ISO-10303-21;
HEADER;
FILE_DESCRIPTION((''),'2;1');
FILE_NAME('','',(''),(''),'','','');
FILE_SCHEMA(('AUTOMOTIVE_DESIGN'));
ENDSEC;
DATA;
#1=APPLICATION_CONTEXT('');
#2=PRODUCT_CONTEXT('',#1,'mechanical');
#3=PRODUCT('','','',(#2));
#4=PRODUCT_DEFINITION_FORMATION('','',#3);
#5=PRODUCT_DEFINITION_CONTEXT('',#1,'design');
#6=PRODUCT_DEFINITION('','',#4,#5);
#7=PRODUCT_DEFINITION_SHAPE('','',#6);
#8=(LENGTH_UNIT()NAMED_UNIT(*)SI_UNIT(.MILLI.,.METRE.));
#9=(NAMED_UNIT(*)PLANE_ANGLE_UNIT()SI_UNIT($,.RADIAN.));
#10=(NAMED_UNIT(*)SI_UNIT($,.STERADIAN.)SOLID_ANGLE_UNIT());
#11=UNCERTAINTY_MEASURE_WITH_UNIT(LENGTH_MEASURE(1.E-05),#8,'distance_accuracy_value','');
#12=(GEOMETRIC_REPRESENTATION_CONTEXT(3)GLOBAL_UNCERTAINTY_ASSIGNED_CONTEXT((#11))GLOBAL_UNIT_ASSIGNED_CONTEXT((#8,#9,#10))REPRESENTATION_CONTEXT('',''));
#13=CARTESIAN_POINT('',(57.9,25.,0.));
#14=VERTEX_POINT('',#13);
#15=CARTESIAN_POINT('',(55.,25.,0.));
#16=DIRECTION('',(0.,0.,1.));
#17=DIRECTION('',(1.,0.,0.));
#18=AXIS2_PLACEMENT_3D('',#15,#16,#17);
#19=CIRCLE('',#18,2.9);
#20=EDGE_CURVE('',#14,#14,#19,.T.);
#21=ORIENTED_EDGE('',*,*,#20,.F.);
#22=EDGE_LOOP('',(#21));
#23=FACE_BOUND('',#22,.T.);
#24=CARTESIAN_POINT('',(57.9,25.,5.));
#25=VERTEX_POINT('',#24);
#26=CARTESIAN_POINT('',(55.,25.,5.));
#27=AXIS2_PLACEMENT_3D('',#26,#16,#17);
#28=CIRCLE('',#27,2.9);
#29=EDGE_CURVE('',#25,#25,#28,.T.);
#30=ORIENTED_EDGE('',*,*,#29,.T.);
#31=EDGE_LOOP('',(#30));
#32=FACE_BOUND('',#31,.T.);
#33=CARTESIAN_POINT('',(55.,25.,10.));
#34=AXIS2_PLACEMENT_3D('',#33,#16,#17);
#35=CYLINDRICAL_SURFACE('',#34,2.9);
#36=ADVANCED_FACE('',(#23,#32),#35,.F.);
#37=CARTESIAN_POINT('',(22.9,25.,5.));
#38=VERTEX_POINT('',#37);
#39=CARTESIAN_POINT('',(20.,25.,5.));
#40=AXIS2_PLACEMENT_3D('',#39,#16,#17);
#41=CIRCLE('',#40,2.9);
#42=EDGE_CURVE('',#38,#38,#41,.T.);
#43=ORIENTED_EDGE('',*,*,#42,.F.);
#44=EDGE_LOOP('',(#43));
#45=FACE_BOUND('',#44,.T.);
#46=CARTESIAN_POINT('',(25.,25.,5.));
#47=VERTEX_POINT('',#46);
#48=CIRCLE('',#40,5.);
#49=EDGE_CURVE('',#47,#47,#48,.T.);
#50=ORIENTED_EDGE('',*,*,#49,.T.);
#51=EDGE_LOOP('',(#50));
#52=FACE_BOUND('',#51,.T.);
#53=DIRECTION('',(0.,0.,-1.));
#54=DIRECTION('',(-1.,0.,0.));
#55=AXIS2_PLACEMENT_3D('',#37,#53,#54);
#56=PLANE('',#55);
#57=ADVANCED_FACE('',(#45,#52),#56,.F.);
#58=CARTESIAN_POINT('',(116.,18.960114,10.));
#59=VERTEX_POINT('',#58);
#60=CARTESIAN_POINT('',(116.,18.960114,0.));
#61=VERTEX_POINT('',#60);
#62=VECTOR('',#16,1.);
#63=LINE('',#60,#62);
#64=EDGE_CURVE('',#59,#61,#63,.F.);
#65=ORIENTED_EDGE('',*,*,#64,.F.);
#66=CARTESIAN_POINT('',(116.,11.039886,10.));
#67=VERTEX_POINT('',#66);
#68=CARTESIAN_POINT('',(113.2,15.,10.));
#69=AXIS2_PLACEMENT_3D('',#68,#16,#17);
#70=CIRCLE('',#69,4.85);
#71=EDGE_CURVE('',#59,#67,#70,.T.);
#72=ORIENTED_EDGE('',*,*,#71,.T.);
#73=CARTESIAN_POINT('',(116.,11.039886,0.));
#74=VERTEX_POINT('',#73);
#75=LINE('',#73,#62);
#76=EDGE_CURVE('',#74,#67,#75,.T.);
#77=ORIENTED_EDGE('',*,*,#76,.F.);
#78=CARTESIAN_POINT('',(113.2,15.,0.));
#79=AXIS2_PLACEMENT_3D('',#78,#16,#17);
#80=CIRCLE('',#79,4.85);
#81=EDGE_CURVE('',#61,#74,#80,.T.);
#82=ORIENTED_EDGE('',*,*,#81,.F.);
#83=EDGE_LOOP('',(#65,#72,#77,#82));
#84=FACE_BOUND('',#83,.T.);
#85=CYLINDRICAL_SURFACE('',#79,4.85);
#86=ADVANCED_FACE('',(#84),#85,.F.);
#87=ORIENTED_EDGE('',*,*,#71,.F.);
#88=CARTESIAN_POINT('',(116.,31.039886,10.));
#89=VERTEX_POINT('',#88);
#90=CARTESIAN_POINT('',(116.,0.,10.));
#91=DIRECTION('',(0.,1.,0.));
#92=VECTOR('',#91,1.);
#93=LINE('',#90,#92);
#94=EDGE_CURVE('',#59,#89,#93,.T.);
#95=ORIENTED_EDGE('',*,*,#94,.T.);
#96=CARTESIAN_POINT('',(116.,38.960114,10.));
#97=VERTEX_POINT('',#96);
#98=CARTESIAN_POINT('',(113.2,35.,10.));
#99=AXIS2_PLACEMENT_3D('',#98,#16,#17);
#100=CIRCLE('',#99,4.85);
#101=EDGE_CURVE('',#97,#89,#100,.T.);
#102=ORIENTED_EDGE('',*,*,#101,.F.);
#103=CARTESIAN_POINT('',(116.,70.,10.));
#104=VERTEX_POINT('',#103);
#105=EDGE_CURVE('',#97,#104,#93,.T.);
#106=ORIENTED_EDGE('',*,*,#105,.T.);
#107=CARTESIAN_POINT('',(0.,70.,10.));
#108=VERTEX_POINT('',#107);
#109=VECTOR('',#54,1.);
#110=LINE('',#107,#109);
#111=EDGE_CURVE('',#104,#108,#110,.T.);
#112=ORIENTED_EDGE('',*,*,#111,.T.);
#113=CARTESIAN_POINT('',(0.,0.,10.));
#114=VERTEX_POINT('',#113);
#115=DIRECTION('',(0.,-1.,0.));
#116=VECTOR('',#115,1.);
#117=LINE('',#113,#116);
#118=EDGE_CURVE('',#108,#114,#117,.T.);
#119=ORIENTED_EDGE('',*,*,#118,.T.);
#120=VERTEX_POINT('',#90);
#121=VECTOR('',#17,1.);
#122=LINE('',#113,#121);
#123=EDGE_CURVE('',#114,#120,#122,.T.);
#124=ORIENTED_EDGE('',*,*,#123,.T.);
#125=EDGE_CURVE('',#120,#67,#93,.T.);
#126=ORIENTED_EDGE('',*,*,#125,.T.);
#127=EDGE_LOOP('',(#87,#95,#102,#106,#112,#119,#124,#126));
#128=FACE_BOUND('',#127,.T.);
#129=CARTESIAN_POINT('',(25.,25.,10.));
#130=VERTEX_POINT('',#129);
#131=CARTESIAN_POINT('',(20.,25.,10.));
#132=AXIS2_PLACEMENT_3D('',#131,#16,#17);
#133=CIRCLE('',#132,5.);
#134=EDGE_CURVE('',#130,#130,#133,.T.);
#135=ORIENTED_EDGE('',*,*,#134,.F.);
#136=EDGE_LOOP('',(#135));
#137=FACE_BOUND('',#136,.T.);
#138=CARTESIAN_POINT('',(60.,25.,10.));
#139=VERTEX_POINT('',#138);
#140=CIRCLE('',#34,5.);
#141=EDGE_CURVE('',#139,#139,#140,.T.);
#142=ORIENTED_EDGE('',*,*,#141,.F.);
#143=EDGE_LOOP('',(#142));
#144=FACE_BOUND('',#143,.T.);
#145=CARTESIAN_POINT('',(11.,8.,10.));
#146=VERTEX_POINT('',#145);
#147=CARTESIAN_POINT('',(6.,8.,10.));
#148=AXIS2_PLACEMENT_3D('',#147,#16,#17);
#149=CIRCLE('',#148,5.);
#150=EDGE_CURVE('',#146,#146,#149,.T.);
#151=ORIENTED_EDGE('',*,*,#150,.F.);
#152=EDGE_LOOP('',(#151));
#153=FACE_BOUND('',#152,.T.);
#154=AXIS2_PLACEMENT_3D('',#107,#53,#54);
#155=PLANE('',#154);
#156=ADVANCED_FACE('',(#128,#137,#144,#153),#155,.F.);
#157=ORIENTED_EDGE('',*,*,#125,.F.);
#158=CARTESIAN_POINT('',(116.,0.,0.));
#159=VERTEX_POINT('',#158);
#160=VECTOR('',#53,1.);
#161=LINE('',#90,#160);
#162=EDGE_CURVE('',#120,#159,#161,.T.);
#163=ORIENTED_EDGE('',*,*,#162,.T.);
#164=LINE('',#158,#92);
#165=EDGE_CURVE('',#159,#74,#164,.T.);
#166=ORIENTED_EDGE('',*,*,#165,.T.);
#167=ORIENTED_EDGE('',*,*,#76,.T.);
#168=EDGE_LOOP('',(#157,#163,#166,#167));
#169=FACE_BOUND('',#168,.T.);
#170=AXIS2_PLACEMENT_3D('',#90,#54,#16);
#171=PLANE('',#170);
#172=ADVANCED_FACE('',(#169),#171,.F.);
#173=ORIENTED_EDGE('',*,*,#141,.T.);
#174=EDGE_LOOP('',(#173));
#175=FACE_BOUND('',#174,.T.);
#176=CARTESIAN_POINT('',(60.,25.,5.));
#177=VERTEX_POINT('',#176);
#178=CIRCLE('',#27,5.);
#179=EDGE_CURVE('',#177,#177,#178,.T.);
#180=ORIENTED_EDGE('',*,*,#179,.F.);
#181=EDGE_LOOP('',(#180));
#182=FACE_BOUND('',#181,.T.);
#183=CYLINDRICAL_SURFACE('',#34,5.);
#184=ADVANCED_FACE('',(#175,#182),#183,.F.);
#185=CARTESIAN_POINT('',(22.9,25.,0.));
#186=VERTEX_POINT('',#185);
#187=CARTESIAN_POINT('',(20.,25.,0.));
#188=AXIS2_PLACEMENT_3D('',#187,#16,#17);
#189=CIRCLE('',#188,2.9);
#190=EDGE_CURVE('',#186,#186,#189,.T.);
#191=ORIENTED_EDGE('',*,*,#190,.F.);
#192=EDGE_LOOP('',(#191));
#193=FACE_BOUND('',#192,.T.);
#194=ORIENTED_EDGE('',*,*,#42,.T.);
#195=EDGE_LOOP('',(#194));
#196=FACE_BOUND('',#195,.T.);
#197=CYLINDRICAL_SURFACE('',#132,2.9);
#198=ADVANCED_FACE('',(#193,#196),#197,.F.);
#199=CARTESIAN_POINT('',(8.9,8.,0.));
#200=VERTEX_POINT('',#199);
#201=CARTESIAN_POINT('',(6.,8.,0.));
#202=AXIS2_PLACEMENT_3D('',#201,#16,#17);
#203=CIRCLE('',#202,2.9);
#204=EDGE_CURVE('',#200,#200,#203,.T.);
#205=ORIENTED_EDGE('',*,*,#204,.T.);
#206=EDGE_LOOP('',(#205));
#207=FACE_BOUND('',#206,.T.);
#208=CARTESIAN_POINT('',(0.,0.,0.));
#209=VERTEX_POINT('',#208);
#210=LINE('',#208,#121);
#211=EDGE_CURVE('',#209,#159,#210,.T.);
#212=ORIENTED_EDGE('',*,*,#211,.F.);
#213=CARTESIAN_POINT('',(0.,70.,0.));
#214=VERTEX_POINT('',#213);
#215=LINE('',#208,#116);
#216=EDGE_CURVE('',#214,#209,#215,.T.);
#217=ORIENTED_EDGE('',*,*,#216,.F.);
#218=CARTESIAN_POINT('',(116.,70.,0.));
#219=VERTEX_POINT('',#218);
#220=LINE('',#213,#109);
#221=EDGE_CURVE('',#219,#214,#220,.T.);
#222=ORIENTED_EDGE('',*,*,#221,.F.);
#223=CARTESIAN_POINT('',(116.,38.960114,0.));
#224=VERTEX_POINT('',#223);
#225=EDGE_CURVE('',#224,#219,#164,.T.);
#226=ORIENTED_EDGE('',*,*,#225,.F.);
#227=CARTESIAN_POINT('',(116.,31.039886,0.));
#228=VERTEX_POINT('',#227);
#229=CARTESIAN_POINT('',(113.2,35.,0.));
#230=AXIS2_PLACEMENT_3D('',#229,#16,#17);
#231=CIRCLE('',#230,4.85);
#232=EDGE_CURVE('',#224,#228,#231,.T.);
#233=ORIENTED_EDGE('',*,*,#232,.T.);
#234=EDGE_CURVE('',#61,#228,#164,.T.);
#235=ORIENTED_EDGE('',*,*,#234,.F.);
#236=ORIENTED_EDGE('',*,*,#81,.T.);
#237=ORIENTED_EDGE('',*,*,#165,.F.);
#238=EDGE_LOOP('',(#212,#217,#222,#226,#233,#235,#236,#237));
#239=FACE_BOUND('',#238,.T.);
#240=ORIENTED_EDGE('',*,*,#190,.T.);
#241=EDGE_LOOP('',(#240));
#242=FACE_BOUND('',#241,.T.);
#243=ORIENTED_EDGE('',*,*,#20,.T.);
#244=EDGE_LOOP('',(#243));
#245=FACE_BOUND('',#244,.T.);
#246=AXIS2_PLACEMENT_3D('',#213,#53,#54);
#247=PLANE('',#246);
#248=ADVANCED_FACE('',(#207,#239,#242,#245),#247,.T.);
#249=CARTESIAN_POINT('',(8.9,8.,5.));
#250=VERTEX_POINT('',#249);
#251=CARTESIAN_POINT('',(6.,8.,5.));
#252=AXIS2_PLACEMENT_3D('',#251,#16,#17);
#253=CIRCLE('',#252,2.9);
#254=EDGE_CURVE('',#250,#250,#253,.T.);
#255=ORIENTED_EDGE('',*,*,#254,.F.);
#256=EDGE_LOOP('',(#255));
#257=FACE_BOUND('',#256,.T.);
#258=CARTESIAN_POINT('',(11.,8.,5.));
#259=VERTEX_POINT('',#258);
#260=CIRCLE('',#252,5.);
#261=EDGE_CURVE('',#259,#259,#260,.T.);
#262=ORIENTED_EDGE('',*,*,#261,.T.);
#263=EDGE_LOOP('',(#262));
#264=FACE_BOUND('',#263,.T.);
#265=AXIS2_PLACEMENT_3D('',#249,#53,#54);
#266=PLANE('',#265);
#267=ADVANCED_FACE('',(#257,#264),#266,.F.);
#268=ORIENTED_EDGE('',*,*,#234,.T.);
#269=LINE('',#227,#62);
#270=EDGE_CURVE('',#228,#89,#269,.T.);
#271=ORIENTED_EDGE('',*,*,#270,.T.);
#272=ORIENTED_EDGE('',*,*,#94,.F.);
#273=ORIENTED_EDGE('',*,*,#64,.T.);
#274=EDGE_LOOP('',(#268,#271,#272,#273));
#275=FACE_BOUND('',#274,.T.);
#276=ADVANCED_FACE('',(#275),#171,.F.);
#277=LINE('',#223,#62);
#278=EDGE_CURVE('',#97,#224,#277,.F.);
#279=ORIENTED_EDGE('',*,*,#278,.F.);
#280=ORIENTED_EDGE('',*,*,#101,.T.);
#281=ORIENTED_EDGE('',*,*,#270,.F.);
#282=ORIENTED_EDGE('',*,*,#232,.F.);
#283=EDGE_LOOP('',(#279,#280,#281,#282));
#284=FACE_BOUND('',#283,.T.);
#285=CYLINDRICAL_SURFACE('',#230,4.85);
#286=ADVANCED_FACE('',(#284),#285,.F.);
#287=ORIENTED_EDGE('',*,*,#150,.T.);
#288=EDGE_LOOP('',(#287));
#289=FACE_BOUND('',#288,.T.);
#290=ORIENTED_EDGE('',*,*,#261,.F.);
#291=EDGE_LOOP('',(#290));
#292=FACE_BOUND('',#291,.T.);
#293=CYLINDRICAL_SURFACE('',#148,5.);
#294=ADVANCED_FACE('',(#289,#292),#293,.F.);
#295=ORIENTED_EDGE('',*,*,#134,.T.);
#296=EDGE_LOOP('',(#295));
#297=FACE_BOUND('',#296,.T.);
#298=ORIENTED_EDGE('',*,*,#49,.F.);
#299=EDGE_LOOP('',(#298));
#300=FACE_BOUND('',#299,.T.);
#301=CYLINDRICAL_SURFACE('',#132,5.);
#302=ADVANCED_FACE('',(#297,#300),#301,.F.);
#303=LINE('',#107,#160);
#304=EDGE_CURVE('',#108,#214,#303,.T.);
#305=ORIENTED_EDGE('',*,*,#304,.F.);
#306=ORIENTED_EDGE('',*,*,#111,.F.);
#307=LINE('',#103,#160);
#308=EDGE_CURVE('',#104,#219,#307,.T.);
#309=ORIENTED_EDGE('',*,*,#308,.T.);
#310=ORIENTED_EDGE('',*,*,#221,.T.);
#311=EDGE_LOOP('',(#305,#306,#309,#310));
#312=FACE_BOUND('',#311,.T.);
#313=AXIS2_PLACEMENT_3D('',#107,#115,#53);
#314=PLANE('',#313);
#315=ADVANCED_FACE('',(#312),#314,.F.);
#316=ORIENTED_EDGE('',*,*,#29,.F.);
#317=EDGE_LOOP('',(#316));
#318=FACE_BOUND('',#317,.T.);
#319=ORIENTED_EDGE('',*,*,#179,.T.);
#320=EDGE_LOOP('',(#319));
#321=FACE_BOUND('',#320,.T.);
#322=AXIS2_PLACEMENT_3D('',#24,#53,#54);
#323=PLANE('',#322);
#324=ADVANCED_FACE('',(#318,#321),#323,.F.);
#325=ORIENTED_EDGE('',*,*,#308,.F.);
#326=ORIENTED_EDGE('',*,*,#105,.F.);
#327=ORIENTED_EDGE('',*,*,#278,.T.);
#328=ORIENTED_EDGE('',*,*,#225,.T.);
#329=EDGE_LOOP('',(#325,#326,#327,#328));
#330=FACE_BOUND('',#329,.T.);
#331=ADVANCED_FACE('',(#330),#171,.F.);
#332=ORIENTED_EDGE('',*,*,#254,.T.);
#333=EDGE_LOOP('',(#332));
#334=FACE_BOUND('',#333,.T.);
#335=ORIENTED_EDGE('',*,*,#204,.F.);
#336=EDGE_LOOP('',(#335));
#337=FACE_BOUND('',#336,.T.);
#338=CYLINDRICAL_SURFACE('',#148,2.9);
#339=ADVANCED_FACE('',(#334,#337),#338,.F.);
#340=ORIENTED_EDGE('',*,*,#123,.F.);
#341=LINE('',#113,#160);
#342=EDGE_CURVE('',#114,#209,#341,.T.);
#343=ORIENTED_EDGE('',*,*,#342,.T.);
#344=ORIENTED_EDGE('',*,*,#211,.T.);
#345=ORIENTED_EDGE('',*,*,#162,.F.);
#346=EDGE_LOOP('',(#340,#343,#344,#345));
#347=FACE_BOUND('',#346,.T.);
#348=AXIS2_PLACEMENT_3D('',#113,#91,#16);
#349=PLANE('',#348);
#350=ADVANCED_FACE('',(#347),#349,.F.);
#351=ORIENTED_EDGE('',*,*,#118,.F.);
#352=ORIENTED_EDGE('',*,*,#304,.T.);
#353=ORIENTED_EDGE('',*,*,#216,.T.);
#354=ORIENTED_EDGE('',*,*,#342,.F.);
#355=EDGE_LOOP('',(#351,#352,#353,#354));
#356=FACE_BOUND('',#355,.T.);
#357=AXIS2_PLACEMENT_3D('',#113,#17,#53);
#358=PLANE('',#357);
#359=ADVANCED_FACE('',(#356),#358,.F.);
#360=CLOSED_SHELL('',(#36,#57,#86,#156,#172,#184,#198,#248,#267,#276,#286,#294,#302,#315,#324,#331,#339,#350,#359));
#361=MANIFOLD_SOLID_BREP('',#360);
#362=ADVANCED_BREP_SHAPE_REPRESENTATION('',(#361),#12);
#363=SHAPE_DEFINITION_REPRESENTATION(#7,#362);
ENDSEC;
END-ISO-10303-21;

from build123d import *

# Parameters (mm, degrees)
SKETCH_1_W                   = 116
SKETCH_1_H                   = 70
EXTRUDE_1_DEPTH              = 10
SKETCH_2_R                   = 4.85
CUT_EXTRUDE_1_DEPTH          = 136.852861582
HOLE_WIZARD_M5_1_D           = 5.8
HOLE_WIZARD_M5_1_CBORE_D     = 10
HOLE_WIZARD_M5_1_CBORE_DEPTH = 5


with BuildPart() as part:
    # 草图1 → 凸台-拉伸1 (new body)
    with BuildSketch(Plane.XY):
        with Locations((58, 35)):
            Rectangle(SKETCH_1_W, SKETCH_1_H)
    extrude(amount=EXTRUDE_1_DEPTH)

    # 草图2 → 切除-拉伸1 (cut, through all)
    with BuildSketch(Plane.XY.offset(10)):
        with Locations((113.2, 35)):
            Circle(SKETCH_2_R)
        with Locations((113.2, 15)):
            Circle(SKETCH_2_R)
    extrude(amount=-CUT_EXTRUDE_1_DEPTH, mode=Mode.SUBTRACT)

    # M5 六角凹头螺钉的柱形沉头孔1 (through all)
    with Locations(Plane.XY.offset(10)):
        with Locations((6, 8), (20, 25), (55, 25)):
            CounterBoreHole(HOLE_WIZARD_M5_1_D / 2, HOLE_WIZARD_M5_1_CBORE_D / 2, HOLE_WIZARD_M5_1_CBORE_DEPTH)


solid = part.part
